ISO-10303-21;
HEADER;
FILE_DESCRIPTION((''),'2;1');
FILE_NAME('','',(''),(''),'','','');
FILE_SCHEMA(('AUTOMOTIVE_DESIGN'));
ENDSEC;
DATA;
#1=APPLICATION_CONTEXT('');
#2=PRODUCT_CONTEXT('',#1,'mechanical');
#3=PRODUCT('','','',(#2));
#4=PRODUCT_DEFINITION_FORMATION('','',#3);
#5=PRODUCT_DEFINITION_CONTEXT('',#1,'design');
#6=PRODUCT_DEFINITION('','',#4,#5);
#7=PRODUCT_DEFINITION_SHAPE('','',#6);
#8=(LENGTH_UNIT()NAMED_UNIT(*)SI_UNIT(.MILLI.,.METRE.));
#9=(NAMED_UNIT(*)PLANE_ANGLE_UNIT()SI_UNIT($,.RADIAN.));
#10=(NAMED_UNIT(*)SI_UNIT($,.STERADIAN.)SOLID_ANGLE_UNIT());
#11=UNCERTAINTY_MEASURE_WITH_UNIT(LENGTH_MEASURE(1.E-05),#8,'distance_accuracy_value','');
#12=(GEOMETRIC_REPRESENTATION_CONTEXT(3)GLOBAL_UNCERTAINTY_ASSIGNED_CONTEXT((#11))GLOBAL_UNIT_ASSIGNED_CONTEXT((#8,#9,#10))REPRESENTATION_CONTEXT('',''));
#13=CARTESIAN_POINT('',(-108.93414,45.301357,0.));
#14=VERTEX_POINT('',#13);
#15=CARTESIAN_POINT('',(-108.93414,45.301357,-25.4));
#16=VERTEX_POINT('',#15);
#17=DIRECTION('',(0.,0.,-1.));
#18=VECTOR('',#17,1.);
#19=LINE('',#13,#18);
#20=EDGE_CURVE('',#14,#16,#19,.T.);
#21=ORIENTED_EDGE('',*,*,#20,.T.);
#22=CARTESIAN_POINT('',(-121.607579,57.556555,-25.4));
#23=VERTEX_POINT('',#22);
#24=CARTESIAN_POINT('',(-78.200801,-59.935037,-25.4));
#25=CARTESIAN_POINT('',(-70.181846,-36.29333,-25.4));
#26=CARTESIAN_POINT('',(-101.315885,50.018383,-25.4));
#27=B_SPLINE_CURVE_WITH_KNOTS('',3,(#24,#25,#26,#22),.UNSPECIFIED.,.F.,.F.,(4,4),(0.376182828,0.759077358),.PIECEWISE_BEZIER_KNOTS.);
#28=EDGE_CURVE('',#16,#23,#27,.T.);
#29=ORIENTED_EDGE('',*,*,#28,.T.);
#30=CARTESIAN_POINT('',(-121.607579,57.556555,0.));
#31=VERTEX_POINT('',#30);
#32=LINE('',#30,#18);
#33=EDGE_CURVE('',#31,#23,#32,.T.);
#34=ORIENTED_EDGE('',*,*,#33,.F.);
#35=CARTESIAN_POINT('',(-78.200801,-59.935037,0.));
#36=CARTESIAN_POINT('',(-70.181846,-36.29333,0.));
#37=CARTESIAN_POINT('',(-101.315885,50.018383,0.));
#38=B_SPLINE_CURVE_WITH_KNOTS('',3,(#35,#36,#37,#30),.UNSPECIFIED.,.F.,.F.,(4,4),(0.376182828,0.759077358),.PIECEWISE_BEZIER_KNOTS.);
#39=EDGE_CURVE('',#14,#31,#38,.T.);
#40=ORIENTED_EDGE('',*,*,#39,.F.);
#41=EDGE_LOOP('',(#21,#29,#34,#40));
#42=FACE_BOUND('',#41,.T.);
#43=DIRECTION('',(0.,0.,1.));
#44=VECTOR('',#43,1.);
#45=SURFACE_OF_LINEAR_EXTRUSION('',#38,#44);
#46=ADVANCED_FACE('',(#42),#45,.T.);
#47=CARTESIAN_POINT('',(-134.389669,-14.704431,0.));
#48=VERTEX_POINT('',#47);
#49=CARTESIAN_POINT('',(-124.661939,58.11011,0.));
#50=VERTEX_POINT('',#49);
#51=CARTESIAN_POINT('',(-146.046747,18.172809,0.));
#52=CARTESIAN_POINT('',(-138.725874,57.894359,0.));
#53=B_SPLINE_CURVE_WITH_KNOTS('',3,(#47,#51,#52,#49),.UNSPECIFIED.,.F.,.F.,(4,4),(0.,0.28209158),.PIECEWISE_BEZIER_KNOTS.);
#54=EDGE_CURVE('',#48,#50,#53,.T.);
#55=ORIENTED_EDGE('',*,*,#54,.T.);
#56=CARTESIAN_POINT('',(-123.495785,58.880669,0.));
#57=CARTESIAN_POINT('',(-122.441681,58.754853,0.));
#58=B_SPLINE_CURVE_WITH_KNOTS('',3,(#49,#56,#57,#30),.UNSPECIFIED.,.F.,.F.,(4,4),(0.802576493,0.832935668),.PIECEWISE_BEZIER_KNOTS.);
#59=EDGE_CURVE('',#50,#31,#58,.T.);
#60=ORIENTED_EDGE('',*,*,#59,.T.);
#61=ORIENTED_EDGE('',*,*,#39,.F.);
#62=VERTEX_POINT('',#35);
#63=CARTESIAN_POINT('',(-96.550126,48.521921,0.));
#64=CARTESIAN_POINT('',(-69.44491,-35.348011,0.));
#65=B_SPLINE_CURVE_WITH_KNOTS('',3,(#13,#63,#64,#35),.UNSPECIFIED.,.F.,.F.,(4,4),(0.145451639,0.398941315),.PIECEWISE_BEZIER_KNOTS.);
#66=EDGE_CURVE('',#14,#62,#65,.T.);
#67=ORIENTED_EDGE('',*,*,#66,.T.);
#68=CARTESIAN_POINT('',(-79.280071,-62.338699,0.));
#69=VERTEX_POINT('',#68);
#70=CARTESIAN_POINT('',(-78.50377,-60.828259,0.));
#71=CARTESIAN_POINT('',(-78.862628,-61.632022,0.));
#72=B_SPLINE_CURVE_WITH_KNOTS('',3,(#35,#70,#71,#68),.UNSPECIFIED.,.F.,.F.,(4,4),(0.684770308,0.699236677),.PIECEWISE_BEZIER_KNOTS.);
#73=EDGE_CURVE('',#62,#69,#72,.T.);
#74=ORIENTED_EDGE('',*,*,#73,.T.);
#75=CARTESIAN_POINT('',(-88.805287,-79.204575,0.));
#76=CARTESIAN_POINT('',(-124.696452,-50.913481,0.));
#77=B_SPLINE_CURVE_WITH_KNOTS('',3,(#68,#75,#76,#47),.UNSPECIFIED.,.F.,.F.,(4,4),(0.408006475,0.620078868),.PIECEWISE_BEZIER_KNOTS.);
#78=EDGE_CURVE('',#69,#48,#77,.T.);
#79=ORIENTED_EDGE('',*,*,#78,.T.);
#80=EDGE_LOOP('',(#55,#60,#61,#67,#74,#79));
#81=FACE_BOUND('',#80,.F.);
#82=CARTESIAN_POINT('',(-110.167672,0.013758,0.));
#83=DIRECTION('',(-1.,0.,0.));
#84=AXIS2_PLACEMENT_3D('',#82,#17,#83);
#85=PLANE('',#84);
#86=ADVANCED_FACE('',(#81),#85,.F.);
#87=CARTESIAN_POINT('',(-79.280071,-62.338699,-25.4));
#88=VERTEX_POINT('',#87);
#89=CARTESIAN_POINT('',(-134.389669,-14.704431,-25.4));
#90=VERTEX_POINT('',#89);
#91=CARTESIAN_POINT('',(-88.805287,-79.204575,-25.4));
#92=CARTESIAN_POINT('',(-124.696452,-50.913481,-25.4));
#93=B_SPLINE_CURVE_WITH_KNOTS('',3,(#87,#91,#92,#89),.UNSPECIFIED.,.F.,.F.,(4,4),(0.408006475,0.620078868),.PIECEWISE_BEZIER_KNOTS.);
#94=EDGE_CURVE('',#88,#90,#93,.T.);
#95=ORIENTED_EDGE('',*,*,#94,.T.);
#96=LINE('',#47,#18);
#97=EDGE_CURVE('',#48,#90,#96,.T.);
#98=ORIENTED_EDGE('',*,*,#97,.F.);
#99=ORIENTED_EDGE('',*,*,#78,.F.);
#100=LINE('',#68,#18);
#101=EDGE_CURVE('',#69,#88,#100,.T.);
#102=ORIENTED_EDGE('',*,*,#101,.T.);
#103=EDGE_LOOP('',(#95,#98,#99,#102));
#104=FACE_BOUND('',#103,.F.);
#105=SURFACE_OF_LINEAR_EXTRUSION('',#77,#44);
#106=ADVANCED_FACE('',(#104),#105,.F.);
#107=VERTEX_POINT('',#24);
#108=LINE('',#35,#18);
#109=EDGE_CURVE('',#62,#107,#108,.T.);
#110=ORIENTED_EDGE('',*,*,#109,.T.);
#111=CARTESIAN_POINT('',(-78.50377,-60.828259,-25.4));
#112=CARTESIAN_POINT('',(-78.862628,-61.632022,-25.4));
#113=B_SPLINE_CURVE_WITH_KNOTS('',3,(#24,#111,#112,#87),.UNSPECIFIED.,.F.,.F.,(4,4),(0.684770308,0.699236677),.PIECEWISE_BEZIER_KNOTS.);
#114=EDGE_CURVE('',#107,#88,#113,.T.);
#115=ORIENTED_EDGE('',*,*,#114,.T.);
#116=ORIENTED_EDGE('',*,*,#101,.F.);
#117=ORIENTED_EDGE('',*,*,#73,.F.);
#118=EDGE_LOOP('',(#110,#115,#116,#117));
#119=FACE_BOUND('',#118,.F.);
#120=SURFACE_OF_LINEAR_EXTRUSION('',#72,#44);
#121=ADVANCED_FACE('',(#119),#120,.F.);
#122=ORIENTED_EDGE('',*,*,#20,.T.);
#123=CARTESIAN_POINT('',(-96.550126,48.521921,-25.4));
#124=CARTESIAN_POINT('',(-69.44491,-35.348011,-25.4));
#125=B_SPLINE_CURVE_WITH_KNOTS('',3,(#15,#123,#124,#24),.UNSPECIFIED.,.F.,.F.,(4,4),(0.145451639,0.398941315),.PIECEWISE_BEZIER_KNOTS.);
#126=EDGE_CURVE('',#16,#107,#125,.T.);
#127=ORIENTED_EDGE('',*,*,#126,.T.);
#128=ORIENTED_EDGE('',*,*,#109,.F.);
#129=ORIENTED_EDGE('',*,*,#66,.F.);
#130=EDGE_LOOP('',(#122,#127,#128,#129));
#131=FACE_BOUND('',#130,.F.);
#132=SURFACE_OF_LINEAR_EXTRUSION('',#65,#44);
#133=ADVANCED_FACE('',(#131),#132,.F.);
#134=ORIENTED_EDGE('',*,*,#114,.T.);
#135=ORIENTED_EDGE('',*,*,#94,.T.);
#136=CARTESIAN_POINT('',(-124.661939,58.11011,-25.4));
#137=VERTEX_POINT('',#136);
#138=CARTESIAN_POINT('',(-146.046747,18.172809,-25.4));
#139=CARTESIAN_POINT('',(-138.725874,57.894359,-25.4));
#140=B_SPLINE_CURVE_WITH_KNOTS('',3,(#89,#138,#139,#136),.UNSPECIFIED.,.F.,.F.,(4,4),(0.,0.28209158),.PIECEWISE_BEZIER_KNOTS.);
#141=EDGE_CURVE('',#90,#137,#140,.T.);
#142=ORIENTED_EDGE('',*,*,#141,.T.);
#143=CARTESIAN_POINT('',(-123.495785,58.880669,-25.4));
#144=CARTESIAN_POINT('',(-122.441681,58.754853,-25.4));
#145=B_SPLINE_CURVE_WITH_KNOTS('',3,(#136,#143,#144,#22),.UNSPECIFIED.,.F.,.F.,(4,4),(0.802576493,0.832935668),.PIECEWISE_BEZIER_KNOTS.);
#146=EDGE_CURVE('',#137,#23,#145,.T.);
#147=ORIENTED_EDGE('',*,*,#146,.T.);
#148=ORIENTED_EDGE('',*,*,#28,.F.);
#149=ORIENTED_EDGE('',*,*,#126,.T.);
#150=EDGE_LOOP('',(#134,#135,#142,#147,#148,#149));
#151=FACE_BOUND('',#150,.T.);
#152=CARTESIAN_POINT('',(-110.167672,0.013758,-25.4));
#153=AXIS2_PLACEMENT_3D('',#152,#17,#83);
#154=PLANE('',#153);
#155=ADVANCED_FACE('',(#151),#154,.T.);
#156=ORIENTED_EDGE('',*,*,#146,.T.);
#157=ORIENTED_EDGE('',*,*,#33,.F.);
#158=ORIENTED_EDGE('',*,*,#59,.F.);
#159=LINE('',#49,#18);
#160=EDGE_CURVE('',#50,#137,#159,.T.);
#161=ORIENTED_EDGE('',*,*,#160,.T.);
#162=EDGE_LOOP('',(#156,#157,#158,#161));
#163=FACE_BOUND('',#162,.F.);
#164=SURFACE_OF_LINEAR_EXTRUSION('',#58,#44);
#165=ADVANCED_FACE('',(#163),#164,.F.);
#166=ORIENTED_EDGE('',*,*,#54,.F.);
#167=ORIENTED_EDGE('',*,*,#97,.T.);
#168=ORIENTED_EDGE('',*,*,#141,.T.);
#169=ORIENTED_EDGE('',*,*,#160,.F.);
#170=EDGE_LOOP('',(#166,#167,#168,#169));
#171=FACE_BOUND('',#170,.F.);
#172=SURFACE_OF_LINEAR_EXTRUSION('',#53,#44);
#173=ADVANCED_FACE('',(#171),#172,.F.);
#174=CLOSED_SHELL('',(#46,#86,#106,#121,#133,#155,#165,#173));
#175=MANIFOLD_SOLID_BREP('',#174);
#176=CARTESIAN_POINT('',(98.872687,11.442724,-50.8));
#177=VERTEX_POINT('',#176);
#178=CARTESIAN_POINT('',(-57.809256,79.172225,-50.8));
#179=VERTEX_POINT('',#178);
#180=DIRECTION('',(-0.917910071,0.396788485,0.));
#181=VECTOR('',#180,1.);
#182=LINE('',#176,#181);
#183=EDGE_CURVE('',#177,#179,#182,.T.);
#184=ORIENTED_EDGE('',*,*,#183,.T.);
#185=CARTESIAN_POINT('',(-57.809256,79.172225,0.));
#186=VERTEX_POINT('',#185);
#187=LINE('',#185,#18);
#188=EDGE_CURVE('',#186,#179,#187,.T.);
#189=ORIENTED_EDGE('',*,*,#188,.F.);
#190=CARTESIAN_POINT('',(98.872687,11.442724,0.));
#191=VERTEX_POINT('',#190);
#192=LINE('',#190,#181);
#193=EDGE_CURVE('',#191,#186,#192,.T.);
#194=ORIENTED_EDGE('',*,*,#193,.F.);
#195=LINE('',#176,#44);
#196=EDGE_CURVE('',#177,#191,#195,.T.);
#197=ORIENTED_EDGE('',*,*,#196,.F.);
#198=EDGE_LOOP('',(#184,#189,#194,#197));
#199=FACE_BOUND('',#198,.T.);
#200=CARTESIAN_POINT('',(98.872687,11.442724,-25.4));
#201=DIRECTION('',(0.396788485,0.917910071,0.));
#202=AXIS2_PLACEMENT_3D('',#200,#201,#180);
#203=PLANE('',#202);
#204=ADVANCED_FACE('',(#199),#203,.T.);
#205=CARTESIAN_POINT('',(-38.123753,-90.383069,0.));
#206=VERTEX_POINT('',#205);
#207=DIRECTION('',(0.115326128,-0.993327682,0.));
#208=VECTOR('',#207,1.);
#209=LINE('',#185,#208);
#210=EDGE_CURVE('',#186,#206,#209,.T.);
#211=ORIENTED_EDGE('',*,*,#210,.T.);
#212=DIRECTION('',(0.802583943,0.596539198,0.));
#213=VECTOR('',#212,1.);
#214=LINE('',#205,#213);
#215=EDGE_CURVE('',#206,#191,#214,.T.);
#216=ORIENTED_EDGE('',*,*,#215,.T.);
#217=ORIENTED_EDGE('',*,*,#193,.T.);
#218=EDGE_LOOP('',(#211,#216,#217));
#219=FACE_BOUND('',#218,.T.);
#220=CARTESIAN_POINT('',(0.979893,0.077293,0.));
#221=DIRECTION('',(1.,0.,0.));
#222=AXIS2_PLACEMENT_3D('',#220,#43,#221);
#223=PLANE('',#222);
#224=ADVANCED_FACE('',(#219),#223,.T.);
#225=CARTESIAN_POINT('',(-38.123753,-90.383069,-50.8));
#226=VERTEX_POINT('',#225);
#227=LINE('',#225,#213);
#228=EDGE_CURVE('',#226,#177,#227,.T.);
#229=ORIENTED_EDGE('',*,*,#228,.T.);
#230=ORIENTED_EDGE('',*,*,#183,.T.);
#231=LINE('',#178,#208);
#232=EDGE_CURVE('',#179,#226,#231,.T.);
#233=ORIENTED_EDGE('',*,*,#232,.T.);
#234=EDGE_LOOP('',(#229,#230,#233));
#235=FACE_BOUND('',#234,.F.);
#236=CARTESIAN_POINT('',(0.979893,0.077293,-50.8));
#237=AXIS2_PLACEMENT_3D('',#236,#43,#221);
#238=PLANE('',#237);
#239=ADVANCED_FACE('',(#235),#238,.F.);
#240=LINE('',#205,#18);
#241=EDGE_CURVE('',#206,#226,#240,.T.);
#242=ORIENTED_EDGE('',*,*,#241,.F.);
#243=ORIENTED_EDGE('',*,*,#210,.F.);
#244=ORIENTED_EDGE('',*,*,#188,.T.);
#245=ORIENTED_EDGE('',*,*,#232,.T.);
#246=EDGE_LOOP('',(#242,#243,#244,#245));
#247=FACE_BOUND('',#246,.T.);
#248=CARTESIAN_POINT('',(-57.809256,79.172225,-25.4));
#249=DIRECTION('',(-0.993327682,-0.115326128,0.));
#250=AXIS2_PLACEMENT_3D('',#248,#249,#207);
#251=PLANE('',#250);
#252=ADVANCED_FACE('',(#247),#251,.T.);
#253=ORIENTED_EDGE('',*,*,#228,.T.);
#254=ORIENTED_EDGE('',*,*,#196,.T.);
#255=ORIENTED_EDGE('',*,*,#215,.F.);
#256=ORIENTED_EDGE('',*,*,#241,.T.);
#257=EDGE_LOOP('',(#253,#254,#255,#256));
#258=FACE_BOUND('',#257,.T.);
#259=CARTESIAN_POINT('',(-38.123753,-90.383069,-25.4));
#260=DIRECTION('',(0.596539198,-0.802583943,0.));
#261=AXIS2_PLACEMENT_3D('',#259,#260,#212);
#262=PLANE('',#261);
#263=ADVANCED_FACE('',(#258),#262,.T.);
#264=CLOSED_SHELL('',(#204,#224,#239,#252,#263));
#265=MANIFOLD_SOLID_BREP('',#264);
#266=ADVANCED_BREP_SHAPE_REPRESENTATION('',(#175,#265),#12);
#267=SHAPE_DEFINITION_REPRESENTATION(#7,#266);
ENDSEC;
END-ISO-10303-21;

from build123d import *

# Parameters (mm, degrees)
F1_DEPTH = 25.4
F2_DEPTH = 25.4


with BuildPart() as f1:
    # F0 (on Top) → F1 (new body)
    with BuildSketch(Plane.XY):
        Polygon((-38.1237527186, -90.3830688664), (98.8726872316, 11.4427240084), (-57.8092561336, 79.1722247959), align=None)
    extrude(amount=-F1_DEPTH)

    # F2 (add): a face of the model
    f2_faces = [f1.faces().sort_by_distance(p)[0] for p in [
        (0.9798927931, 0.0772933126, -25.4),
    ]]
    extrude(f2_faces, amount=F2_DEPTH)


with BuildPart() as f1b:
    # F0 (on Top) → F1, piece 2 (new body)
    with BuildSketch(Plane.XY):
        with BuildLine():
            add(Edge.make_bspline(
                [(-134.3896687031, -14.7044314072), (-142.7311083397, 16.4550494294), (-131.6720253421, 53.4780620192), (-124.6619394967, 58.1101097866)],
                knots=[0.6200788677, 0.6200788677, 0.6200788677, 0.6200788677, 0.802576493, 0.802576493, 0.802576493, 0.802576493], degree=3))
            add(Edge.make_bspline(
                [(-79.2800709544, -62.338698645), (-87.958929987, -77.0308760174), (-121.9610045481, -49.7578284038), (-134.3896687031, -14.7044314072)],
                knots=[0.6992366772, 0.6992366772, 0.6992366772, 0.6992366772, 1, 1, 1, 1], degree=3))
            add(Edge.make_bspline(
                [(-78.2008010068, -59.9350369728), (-78.5139244232, -60.8143048025), (-78.8729099527, -61.6177568097), (-79.2800709605, -62.3386986554)],
                knots=[0.3989413153, 0.3989413153, 0.3989413153, 0.3989413153, 0.408006475, 0.408006475, 0.408006475, 0.408006475], degree=3))
            add(Edge.make_bspline(
                [(-108.9341402393, 45.3013569048), (-90.7063036706, 18.8782057756), (-71.7380579244, -40.8813965528), (-78.2008010068, -59.9350369728)],
                knots=[0.3761828281, 0.3761828281, 0.3761828281, 0.3761828281, 0.6847703081, 0.6847703081, 0.6847703081, 0.6847703081], degree=3))
            add(Edge.make_bspline(
                [(-118.667088449, 12.4472836033), (-118.2991094276, 12.9315110116), (-116.0400518155, 43.4534065078), (-108.9341402393, 45.3013569048)],
                knots=[0, 0, 0, 0, 0.1454516388, 0.1454516388, 0.1454516388, 0.1454516388], degree=3))
            add(Edge.make_bspline(
                [(-121.6075792909, 57.5565546751), (-117.0175792235, 50.9624056406), (-119.0897455595, 11.8911047308), (-118.667088449, 12.4472836033)],
                knots=[0.8329356681, 0.8329356681, 0.8329356681, 0.8329356681, 1, 1, 1, 1], degree=3))
            add(Edge.make_bspline(
                [(-124.6619394961, 58.1101097845), (-123.675580112, 58.1252412608), (-122.656053142, 57.9460527348), (-121.6075792909, 57.5565546751)],
                knots=[0.2820915799, 0.2820915799, 0.2820915799, 0.2820915799, 0.3018757781, 0.3018757781, 0.3018757781, 0.3018757781], degree=3))
        make_face()
        with BuildLine():
            add(Edge.make_bspline(
                [(-79.2800709544, -62.338698645), (-87.958929987, -77.0308760174), (-121.9610045481, -49.7578284038), (-134.3896687031, -14.7044314072)],
                knots=[0.6992366772, 0.6992366772, 0.6992366772, 0.6992366772, 1, 1, 1, 1], degree=3))
            add(Edge.make_bspline(
                [(-79.2800709605, -62.3386986554), (-88.8052874953, -79.2045749484), (-124.6964518245, -50.9134814909), (-134.3896687031, -14.7044314072)],
                knots=[0.408006475, 0.408006475, 0.408006475, 0.408006475, 0.6200788677, 0.6200788677, 0.6200788677, 0.6200788677], degree=3))
        make_face()
        with BuildLine():
            add(Edge.make_bspline(
                [(-134.3896687031, -14.7044314072), (-146.0467466828, 18.1728092317), (-138.7258744457, 57.8943587092), (-124.6619394961, 58.1101097845)],
                knots=[0, 0, 0, 0, 0.2820915799, 0.2820915799, 0.2820915799, 0.2820915799], degree=3))
            add(Edge.make_bspline(
                [(-134.3896687031, -14.7044314072), (-142.7311083397, 16.4550494294), (-131.6720253421, 53.4780620192), (-124.6619394967, 58.1101097866)],
                knots=[0.6200788677, 0.6200788677, 0.6200788677, 0.6200788677, 0.802576493, 0.802576493, 0.802576493, 0.802576493], degree=3))
        make_face()
        with BuildLine():
            add(Edge.make_bspline(
                [(-124.6619394967, 58.1101097866), (-123.4957850177, 58.8806685743), (-122.4416808244, 58.7548530936), (-121.6075792909, 57.5565546751)],
                knots=[0.802576493, 0.802576493, 0.802576493, 0.802576493, 0.8329356681, 0.8329356681, 0.8329356681, 0.8329356681], degree=3))
            add(Edge.make_bspline(
                [(-124.6619394961, 58.1101097845), (-123.675580112, 58.1252412608), (-122.656053142, 57.9460527348), (-121.6075792909, 57.5565546751)],
                knots=[0.2820915799, 0.2820915799, 0.2820915799, 0.2820915799, 0.3018757781, 0.3018757781, 0.3018757781, 0.3018757781], degree=3))
        make_face()
        with BuildLine():
            add(Edge.make_bspline(
                [(-78.2008010068, -59.9350369728), (-78.5139244232, -60.8143048025), (-78.8729099527, -61.6177568097), (-79.2800709605, -62.3386986554)],
                knots=[0.3989413153, 0.3989413153, 0.3989413153, 0.3989413153, 0.408006475, 0.408006475, 0.408006475, 0.408006475], degree=3))
            add(Edge.make_bspline(
                [(-78.2008010068, -59.9350369728), (-78.5037699646, -60.828258552), (-78.8626278416, -61.6320218533), (-79.2800709544, -62.338698645)],
                knots=[0.6847703081, 0.6847703081, 0.6847703081, 0.6847703081, 0.6992366772, 0.6992366772, 0.6992366772, 0.6992366772], degree=3))
        make_face()
        with BuildLine():
            add(Edge.make_bspline(
                [(-121.6075792909, 57.5565546751), (-117.6696386166, 56.0936471832), (-113.3233551368, 51.6639819008), (-108.9341402393, 45.3013569048)],
                knots=[0.3018757781, 0.3018757781, 0.3018757781, 0.3018757781, 0.3761828281, 0.3761828281, 0.3761828281, 0.3761828281], degree=3))
            add(Edge.make_bspline(
                [(-121.6075792909, 57.5565546751), (-117.0175792235, 50.9624056406), (-119.0897455595, 11.8911047308), (-118.667088449, 12.4472836033)],
                knots=[0.8329356681, 0.8329356681, 0.8329356681, 0.8329356681, 1, 1, 1, 1], degree=3))
            add(Edge.make_bspline(
                [(-118.667088449, 12.4472836033), (-118.2991094276, 12.9315110116), (-116.0400518155, 43.4534065078), (-108.9341402393, 45.3013569048)],
                knots=[0, 0, 0, 0, 0.1454516388, 0.1454516388, 0.1454516388, 0.1454516388], degree=3))
        make_face()
        with BuildLine():
            add(Edge.make_bspline(
                [(-108.9341402393, 45.3013569048), (-90.7063036706, 18.8782057756), (-71.7380579244, -40.8813965528), (-78.2008010068, -59.9350369728)],
                knots=[0.3761828281, 0.3761828281, 0.3761828281, 0.3761828281, 0.6847703081, 0.6847703081, 0.6847703081, 0.6847703081], degree=3))
            add(Edge.make_bspline(
                [(-108.9341402393, 45.3013569048), (-96.5501255883, 48.5219211555), (-69.4449096507, -35.3480109482), (-78.2008010068, -59.9350369728)],
                knots=[0.1454516388, 0.1454516388, 0.1454516388, 0.1454516388, 0.3989413153, 0.3989413153, 0.3989413153, 0.3989413153], degree=3))
        make_face()
    extrude(amount=-F1_DEPTH)


solid = Compound([f1.part, f1b.part])
